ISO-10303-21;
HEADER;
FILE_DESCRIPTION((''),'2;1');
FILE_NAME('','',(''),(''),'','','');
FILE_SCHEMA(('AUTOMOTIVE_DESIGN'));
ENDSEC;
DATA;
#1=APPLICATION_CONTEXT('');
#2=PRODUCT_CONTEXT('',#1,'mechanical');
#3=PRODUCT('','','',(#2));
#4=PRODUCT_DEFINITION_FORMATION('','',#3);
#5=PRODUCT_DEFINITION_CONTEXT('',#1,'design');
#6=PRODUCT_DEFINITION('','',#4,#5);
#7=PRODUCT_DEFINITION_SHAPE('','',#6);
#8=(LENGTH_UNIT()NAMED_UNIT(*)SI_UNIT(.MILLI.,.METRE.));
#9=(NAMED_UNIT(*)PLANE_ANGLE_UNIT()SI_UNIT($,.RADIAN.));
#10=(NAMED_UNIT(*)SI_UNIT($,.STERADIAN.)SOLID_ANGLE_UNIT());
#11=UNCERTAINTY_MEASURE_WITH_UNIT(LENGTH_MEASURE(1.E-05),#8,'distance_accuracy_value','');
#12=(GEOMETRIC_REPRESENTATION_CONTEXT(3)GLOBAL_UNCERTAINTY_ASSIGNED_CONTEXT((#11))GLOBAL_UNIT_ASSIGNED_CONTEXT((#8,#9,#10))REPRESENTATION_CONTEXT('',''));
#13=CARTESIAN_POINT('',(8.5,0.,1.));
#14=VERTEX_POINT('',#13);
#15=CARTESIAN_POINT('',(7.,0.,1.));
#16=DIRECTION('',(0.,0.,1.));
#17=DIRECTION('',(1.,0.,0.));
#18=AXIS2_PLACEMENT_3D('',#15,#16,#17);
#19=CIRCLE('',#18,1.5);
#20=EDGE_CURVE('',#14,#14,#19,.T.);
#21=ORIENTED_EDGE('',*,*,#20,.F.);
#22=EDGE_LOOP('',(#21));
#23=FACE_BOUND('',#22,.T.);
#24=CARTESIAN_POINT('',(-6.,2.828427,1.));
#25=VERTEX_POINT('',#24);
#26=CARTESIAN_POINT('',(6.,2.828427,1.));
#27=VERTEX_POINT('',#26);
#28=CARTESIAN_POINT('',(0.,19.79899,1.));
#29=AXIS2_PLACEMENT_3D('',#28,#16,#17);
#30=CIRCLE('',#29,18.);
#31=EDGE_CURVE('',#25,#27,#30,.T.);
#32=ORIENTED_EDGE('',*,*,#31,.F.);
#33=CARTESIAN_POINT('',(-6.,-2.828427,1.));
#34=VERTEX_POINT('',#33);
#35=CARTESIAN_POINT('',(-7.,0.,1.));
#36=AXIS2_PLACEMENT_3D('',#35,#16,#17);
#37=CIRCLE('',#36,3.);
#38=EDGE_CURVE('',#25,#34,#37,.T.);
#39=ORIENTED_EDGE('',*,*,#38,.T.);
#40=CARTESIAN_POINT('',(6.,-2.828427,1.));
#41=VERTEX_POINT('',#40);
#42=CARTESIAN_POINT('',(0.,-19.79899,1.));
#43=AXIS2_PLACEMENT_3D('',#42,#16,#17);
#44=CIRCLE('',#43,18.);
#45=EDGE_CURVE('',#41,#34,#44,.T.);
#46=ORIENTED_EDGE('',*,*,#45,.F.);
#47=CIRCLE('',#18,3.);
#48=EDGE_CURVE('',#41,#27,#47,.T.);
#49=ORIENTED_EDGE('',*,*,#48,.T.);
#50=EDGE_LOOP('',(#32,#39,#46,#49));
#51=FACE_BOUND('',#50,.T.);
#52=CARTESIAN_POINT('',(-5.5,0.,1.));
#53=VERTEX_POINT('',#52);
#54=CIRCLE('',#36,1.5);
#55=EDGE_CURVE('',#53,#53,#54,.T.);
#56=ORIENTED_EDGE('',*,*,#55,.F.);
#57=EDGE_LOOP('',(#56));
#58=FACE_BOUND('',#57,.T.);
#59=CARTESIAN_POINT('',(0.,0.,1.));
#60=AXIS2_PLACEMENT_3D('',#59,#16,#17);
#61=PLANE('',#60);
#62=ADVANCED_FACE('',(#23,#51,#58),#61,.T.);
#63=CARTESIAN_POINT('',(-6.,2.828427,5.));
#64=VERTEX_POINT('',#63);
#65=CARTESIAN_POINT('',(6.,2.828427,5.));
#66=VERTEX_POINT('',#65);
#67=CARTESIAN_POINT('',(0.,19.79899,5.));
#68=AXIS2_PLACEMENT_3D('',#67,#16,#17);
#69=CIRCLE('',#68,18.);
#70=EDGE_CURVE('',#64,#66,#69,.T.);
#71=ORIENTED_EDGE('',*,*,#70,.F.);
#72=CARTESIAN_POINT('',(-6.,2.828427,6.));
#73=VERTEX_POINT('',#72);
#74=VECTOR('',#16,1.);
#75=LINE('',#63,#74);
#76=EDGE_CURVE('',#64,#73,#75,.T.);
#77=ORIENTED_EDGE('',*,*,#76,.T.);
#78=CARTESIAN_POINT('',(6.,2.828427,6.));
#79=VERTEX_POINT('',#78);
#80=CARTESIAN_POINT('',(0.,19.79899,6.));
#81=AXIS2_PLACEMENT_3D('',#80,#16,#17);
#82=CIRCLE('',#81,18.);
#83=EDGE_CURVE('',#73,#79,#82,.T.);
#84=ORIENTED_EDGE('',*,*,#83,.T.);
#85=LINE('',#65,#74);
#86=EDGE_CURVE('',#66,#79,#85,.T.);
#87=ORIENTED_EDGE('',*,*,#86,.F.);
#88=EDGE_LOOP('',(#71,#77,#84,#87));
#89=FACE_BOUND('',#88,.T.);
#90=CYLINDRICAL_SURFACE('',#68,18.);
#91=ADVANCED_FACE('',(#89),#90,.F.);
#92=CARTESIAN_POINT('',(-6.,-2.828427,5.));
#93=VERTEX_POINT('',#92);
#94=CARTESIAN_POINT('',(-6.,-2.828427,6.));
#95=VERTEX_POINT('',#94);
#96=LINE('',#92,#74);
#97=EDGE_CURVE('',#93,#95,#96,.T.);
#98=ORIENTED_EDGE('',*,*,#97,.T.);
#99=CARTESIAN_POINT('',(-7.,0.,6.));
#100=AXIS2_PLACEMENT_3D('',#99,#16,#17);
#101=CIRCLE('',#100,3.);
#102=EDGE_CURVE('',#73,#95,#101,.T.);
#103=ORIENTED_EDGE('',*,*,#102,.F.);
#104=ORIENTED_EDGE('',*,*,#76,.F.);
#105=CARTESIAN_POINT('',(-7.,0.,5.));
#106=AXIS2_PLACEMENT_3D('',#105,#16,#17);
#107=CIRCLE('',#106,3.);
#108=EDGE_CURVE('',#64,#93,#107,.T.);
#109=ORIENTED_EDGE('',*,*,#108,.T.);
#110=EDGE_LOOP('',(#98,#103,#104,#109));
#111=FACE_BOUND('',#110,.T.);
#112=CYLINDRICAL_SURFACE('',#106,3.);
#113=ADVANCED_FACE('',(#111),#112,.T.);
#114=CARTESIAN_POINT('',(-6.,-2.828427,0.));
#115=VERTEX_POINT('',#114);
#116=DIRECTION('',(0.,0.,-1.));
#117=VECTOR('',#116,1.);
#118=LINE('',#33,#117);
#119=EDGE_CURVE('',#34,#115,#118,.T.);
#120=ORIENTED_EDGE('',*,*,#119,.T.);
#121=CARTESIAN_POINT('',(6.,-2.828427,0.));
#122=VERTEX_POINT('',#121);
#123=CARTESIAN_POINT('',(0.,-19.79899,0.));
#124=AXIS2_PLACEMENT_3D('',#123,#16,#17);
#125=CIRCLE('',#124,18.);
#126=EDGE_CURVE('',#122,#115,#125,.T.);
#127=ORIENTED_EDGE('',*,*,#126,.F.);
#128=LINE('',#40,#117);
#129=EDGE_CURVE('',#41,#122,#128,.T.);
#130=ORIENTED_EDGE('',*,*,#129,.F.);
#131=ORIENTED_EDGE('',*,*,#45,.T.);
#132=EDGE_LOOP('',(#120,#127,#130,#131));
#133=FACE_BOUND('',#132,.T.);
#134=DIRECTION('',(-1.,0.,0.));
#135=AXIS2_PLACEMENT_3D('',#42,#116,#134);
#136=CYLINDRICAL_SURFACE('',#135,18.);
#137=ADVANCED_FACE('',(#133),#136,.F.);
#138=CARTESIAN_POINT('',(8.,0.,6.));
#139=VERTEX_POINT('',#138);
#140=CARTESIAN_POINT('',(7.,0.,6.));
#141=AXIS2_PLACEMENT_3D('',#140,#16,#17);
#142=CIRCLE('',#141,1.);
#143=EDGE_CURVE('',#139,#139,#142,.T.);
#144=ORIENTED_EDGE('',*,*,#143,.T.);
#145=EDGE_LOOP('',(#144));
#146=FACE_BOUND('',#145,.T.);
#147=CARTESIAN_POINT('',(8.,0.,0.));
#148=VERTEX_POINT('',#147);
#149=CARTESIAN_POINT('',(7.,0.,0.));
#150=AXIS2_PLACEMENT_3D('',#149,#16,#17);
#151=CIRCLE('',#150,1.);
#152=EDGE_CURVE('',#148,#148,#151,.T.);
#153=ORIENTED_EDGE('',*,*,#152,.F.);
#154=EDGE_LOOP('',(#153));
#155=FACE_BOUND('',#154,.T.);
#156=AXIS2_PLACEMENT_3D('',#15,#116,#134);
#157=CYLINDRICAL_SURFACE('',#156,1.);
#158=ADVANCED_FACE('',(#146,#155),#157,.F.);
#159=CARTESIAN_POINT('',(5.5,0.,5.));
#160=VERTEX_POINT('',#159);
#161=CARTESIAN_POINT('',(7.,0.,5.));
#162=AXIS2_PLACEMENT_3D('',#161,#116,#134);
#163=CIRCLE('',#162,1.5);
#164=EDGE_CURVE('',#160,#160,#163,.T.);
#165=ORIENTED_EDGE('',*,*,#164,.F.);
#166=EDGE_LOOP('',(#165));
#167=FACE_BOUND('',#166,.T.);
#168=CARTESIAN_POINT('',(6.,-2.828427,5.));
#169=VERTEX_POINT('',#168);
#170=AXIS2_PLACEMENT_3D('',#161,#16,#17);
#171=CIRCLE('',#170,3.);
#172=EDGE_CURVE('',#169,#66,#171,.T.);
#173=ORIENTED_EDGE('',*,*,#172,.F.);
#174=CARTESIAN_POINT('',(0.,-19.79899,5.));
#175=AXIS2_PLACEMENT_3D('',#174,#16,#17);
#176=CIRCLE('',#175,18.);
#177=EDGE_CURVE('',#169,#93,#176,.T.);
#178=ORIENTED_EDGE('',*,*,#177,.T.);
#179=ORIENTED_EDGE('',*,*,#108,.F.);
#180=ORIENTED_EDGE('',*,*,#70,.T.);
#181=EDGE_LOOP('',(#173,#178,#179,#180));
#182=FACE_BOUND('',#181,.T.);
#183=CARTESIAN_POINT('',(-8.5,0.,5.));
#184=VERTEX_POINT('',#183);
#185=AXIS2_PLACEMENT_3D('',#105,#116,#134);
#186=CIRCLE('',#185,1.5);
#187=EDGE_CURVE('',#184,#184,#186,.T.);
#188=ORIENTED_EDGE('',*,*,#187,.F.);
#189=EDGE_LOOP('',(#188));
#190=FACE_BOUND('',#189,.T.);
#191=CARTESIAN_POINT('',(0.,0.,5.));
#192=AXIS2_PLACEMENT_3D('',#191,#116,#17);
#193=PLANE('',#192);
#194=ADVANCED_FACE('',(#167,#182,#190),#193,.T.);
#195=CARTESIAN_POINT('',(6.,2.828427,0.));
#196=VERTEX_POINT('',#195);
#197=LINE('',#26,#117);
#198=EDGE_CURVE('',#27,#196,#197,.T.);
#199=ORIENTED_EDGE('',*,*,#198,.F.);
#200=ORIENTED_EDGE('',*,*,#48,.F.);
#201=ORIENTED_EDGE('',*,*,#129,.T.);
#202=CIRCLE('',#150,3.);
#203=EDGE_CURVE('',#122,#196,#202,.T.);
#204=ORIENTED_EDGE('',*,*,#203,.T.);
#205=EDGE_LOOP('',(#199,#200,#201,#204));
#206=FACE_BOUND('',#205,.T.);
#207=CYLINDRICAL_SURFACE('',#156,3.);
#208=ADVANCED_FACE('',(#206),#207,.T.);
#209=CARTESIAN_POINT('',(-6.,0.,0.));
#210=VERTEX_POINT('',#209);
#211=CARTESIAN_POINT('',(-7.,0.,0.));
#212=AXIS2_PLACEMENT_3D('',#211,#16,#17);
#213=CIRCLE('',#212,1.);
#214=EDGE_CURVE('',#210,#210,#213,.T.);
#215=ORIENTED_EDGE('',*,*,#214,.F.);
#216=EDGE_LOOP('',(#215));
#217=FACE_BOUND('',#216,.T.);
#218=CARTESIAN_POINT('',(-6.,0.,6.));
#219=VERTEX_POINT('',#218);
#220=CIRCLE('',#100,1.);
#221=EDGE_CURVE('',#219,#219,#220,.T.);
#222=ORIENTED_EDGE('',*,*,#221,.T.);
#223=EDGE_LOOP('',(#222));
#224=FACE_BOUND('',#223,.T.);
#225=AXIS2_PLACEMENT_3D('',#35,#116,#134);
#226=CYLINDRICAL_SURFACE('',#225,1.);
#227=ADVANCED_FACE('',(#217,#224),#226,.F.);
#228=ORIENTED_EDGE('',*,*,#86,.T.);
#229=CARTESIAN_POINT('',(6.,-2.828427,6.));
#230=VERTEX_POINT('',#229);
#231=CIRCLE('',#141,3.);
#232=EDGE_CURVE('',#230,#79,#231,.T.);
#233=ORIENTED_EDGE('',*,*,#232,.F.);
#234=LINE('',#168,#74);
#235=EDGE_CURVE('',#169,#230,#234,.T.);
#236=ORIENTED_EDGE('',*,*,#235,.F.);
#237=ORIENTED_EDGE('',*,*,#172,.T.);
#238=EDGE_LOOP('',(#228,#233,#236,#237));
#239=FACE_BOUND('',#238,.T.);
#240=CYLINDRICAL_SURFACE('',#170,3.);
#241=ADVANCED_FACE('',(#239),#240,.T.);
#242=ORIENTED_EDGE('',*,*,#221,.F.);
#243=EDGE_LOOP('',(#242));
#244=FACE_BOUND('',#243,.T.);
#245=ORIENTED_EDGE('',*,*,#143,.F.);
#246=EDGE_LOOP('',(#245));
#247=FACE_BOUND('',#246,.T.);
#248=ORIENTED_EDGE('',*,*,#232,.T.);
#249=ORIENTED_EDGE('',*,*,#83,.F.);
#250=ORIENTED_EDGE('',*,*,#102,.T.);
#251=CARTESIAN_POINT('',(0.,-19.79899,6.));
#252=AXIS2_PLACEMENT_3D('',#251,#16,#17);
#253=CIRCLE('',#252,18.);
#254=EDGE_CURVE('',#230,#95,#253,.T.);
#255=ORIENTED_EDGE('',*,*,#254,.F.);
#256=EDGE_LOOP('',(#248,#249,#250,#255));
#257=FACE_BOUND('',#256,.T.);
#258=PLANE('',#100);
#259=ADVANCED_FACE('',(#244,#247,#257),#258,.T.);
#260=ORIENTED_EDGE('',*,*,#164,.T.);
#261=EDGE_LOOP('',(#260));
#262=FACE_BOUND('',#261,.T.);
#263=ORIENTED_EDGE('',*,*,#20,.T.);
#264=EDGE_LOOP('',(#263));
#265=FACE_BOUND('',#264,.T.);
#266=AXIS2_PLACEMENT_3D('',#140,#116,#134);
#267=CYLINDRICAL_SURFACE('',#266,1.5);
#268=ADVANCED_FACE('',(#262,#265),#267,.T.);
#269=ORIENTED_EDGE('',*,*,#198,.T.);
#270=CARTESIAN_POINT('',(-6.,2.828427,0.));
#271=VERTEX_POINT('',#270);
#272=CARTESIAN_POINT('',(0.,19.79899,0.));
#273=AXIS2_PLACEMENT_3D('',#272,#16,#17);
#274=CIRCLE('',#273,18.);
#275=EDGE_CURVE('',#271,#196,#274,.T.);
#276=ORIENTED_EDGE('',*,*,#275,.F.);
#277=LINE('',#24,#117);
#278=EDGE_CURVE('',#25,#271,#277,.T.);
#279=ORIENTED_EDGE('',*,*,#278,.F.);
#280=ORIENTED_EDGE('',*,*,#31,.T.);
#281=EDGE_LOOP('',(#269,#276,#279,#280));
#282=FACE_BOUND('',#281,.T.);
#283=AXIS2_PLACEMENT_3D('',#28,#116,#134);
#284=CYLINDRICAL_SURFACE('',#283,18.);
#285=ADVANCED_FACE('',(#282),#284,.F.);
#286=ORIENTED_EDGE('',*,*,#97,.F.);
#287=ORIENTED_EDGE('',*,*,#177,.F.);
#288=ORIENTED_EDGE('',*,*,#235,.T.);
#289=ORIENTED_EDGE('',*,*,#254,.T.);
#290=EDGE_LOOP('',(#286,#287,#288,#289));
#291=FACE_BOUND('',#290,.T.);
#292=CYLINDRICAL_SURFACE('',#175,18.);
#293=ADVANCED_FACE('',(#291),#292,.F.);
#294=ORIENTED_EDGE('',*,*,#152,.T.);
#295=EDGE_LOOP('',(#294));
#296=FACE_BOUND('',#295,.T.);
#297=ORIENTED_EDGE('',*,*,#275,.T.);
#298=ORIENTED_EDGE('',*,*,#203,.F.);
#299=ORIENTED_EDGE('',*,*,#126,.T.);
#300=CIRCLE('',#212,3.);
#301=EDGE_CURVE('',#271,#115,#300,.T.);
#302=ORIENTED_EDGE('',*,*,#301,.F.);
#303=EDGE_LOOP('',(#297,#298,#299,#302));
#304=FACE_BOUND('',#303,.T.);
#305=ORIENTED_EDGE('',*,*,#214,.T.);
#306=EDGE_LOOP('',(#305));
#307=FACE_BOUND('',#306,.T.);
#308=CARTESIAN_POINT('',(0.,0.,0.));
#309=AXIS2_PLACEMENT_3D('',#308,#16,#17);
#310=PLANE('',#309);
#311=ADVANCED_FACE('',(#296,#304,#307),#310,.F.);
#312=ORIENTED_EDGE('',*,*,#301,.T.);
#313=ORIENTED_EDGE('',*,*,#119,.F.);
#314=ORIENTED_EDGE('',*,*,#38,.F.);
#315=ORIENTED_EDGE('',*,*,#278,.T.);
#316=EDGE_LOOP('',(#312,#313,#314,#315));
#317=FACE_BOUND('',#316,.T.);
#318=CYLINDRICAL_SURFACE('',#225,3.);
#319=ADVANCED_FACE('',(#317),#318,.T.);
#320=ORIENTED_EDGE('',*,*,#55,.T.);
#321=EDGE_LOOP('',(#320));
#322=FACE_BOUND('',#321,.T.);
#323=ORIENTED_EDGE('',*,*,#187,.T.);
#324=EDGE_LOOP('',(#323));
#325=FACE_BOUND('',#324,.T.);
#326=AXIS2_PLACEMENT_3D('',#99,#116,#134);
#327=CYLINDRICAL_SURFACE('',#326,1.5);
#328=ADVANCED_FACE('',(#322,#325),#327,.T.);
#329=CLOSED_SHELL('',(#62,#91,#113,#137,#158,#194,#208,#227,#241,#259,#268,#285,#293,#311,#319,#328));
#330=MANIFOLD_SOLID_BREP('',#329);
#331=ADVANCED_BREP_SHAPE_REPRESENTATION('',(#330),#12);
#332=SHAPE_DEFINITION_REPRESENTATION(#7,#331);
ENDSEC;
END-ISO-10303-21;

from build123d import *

# Parameters (mm, degrees)
SKETCH1_R           = 1
BOSS_EXTRUDE1_DEPTH = 1
SKETCH2_R           = 1.5
SKETCH2_R_2         = 1
BOSS_EXTRUDE2_DEPTH = 5


with BuildPart() as part:
    # Sketch1 → Boss-Extrude1 (new body)
    with BuildSketch(Plane.XY):
        with BuildLine():
            ThreePointArc((-6, 2.828427125), (-10, 0), (-6, -2.828427125))
            ThreePointArc((-6, -2.828427125), (0, -1.798989873), (6, -2.828427125))
            ThreePointArc((6, -2.828427125), (10, 0), (6, 2.828427125))
            ThreePointArc((6, 2.828427125), (0, 1.798989873), (-6, 2.828427125))
        make_face()
        with Locations((-7, 0)):
            Circle(SKETCH1_R, mode=Mode.SUBTRACT)
        with Locations((7, 0)):
            Circle(SKETCH1_R, mode=Mode.SUBTRACT)
    boss_extrude1 = extrude(amount=BOSS_EXTRUDE1_DEPTH)

    # Sketch2 → Boss-Extrude2 (add)
    with BuildSketch(Plane.XY.offset(1)):
        with Locations((-7, 0)):
            Circle(SKETCH2_R)
        with Locations((-7, 0)):
            Circle(SKETCH2_R_2, mode=Mode.SUBTRACT)
        with Locations((7, 0)):
            Circle(SKETCH2_R)
        with Locations((7, 0)):
            Circle(SKETCH2_R_2, mode=Mode.SUBTRACT)
    extrude(amount=BOSS_EXTRUDE2_DEPTH)

    # Mirror1: Boss-Extrude1 across plane
    add(boss_extrude1.mirror(Plane.XY.offset(3)))


solid = part.part
